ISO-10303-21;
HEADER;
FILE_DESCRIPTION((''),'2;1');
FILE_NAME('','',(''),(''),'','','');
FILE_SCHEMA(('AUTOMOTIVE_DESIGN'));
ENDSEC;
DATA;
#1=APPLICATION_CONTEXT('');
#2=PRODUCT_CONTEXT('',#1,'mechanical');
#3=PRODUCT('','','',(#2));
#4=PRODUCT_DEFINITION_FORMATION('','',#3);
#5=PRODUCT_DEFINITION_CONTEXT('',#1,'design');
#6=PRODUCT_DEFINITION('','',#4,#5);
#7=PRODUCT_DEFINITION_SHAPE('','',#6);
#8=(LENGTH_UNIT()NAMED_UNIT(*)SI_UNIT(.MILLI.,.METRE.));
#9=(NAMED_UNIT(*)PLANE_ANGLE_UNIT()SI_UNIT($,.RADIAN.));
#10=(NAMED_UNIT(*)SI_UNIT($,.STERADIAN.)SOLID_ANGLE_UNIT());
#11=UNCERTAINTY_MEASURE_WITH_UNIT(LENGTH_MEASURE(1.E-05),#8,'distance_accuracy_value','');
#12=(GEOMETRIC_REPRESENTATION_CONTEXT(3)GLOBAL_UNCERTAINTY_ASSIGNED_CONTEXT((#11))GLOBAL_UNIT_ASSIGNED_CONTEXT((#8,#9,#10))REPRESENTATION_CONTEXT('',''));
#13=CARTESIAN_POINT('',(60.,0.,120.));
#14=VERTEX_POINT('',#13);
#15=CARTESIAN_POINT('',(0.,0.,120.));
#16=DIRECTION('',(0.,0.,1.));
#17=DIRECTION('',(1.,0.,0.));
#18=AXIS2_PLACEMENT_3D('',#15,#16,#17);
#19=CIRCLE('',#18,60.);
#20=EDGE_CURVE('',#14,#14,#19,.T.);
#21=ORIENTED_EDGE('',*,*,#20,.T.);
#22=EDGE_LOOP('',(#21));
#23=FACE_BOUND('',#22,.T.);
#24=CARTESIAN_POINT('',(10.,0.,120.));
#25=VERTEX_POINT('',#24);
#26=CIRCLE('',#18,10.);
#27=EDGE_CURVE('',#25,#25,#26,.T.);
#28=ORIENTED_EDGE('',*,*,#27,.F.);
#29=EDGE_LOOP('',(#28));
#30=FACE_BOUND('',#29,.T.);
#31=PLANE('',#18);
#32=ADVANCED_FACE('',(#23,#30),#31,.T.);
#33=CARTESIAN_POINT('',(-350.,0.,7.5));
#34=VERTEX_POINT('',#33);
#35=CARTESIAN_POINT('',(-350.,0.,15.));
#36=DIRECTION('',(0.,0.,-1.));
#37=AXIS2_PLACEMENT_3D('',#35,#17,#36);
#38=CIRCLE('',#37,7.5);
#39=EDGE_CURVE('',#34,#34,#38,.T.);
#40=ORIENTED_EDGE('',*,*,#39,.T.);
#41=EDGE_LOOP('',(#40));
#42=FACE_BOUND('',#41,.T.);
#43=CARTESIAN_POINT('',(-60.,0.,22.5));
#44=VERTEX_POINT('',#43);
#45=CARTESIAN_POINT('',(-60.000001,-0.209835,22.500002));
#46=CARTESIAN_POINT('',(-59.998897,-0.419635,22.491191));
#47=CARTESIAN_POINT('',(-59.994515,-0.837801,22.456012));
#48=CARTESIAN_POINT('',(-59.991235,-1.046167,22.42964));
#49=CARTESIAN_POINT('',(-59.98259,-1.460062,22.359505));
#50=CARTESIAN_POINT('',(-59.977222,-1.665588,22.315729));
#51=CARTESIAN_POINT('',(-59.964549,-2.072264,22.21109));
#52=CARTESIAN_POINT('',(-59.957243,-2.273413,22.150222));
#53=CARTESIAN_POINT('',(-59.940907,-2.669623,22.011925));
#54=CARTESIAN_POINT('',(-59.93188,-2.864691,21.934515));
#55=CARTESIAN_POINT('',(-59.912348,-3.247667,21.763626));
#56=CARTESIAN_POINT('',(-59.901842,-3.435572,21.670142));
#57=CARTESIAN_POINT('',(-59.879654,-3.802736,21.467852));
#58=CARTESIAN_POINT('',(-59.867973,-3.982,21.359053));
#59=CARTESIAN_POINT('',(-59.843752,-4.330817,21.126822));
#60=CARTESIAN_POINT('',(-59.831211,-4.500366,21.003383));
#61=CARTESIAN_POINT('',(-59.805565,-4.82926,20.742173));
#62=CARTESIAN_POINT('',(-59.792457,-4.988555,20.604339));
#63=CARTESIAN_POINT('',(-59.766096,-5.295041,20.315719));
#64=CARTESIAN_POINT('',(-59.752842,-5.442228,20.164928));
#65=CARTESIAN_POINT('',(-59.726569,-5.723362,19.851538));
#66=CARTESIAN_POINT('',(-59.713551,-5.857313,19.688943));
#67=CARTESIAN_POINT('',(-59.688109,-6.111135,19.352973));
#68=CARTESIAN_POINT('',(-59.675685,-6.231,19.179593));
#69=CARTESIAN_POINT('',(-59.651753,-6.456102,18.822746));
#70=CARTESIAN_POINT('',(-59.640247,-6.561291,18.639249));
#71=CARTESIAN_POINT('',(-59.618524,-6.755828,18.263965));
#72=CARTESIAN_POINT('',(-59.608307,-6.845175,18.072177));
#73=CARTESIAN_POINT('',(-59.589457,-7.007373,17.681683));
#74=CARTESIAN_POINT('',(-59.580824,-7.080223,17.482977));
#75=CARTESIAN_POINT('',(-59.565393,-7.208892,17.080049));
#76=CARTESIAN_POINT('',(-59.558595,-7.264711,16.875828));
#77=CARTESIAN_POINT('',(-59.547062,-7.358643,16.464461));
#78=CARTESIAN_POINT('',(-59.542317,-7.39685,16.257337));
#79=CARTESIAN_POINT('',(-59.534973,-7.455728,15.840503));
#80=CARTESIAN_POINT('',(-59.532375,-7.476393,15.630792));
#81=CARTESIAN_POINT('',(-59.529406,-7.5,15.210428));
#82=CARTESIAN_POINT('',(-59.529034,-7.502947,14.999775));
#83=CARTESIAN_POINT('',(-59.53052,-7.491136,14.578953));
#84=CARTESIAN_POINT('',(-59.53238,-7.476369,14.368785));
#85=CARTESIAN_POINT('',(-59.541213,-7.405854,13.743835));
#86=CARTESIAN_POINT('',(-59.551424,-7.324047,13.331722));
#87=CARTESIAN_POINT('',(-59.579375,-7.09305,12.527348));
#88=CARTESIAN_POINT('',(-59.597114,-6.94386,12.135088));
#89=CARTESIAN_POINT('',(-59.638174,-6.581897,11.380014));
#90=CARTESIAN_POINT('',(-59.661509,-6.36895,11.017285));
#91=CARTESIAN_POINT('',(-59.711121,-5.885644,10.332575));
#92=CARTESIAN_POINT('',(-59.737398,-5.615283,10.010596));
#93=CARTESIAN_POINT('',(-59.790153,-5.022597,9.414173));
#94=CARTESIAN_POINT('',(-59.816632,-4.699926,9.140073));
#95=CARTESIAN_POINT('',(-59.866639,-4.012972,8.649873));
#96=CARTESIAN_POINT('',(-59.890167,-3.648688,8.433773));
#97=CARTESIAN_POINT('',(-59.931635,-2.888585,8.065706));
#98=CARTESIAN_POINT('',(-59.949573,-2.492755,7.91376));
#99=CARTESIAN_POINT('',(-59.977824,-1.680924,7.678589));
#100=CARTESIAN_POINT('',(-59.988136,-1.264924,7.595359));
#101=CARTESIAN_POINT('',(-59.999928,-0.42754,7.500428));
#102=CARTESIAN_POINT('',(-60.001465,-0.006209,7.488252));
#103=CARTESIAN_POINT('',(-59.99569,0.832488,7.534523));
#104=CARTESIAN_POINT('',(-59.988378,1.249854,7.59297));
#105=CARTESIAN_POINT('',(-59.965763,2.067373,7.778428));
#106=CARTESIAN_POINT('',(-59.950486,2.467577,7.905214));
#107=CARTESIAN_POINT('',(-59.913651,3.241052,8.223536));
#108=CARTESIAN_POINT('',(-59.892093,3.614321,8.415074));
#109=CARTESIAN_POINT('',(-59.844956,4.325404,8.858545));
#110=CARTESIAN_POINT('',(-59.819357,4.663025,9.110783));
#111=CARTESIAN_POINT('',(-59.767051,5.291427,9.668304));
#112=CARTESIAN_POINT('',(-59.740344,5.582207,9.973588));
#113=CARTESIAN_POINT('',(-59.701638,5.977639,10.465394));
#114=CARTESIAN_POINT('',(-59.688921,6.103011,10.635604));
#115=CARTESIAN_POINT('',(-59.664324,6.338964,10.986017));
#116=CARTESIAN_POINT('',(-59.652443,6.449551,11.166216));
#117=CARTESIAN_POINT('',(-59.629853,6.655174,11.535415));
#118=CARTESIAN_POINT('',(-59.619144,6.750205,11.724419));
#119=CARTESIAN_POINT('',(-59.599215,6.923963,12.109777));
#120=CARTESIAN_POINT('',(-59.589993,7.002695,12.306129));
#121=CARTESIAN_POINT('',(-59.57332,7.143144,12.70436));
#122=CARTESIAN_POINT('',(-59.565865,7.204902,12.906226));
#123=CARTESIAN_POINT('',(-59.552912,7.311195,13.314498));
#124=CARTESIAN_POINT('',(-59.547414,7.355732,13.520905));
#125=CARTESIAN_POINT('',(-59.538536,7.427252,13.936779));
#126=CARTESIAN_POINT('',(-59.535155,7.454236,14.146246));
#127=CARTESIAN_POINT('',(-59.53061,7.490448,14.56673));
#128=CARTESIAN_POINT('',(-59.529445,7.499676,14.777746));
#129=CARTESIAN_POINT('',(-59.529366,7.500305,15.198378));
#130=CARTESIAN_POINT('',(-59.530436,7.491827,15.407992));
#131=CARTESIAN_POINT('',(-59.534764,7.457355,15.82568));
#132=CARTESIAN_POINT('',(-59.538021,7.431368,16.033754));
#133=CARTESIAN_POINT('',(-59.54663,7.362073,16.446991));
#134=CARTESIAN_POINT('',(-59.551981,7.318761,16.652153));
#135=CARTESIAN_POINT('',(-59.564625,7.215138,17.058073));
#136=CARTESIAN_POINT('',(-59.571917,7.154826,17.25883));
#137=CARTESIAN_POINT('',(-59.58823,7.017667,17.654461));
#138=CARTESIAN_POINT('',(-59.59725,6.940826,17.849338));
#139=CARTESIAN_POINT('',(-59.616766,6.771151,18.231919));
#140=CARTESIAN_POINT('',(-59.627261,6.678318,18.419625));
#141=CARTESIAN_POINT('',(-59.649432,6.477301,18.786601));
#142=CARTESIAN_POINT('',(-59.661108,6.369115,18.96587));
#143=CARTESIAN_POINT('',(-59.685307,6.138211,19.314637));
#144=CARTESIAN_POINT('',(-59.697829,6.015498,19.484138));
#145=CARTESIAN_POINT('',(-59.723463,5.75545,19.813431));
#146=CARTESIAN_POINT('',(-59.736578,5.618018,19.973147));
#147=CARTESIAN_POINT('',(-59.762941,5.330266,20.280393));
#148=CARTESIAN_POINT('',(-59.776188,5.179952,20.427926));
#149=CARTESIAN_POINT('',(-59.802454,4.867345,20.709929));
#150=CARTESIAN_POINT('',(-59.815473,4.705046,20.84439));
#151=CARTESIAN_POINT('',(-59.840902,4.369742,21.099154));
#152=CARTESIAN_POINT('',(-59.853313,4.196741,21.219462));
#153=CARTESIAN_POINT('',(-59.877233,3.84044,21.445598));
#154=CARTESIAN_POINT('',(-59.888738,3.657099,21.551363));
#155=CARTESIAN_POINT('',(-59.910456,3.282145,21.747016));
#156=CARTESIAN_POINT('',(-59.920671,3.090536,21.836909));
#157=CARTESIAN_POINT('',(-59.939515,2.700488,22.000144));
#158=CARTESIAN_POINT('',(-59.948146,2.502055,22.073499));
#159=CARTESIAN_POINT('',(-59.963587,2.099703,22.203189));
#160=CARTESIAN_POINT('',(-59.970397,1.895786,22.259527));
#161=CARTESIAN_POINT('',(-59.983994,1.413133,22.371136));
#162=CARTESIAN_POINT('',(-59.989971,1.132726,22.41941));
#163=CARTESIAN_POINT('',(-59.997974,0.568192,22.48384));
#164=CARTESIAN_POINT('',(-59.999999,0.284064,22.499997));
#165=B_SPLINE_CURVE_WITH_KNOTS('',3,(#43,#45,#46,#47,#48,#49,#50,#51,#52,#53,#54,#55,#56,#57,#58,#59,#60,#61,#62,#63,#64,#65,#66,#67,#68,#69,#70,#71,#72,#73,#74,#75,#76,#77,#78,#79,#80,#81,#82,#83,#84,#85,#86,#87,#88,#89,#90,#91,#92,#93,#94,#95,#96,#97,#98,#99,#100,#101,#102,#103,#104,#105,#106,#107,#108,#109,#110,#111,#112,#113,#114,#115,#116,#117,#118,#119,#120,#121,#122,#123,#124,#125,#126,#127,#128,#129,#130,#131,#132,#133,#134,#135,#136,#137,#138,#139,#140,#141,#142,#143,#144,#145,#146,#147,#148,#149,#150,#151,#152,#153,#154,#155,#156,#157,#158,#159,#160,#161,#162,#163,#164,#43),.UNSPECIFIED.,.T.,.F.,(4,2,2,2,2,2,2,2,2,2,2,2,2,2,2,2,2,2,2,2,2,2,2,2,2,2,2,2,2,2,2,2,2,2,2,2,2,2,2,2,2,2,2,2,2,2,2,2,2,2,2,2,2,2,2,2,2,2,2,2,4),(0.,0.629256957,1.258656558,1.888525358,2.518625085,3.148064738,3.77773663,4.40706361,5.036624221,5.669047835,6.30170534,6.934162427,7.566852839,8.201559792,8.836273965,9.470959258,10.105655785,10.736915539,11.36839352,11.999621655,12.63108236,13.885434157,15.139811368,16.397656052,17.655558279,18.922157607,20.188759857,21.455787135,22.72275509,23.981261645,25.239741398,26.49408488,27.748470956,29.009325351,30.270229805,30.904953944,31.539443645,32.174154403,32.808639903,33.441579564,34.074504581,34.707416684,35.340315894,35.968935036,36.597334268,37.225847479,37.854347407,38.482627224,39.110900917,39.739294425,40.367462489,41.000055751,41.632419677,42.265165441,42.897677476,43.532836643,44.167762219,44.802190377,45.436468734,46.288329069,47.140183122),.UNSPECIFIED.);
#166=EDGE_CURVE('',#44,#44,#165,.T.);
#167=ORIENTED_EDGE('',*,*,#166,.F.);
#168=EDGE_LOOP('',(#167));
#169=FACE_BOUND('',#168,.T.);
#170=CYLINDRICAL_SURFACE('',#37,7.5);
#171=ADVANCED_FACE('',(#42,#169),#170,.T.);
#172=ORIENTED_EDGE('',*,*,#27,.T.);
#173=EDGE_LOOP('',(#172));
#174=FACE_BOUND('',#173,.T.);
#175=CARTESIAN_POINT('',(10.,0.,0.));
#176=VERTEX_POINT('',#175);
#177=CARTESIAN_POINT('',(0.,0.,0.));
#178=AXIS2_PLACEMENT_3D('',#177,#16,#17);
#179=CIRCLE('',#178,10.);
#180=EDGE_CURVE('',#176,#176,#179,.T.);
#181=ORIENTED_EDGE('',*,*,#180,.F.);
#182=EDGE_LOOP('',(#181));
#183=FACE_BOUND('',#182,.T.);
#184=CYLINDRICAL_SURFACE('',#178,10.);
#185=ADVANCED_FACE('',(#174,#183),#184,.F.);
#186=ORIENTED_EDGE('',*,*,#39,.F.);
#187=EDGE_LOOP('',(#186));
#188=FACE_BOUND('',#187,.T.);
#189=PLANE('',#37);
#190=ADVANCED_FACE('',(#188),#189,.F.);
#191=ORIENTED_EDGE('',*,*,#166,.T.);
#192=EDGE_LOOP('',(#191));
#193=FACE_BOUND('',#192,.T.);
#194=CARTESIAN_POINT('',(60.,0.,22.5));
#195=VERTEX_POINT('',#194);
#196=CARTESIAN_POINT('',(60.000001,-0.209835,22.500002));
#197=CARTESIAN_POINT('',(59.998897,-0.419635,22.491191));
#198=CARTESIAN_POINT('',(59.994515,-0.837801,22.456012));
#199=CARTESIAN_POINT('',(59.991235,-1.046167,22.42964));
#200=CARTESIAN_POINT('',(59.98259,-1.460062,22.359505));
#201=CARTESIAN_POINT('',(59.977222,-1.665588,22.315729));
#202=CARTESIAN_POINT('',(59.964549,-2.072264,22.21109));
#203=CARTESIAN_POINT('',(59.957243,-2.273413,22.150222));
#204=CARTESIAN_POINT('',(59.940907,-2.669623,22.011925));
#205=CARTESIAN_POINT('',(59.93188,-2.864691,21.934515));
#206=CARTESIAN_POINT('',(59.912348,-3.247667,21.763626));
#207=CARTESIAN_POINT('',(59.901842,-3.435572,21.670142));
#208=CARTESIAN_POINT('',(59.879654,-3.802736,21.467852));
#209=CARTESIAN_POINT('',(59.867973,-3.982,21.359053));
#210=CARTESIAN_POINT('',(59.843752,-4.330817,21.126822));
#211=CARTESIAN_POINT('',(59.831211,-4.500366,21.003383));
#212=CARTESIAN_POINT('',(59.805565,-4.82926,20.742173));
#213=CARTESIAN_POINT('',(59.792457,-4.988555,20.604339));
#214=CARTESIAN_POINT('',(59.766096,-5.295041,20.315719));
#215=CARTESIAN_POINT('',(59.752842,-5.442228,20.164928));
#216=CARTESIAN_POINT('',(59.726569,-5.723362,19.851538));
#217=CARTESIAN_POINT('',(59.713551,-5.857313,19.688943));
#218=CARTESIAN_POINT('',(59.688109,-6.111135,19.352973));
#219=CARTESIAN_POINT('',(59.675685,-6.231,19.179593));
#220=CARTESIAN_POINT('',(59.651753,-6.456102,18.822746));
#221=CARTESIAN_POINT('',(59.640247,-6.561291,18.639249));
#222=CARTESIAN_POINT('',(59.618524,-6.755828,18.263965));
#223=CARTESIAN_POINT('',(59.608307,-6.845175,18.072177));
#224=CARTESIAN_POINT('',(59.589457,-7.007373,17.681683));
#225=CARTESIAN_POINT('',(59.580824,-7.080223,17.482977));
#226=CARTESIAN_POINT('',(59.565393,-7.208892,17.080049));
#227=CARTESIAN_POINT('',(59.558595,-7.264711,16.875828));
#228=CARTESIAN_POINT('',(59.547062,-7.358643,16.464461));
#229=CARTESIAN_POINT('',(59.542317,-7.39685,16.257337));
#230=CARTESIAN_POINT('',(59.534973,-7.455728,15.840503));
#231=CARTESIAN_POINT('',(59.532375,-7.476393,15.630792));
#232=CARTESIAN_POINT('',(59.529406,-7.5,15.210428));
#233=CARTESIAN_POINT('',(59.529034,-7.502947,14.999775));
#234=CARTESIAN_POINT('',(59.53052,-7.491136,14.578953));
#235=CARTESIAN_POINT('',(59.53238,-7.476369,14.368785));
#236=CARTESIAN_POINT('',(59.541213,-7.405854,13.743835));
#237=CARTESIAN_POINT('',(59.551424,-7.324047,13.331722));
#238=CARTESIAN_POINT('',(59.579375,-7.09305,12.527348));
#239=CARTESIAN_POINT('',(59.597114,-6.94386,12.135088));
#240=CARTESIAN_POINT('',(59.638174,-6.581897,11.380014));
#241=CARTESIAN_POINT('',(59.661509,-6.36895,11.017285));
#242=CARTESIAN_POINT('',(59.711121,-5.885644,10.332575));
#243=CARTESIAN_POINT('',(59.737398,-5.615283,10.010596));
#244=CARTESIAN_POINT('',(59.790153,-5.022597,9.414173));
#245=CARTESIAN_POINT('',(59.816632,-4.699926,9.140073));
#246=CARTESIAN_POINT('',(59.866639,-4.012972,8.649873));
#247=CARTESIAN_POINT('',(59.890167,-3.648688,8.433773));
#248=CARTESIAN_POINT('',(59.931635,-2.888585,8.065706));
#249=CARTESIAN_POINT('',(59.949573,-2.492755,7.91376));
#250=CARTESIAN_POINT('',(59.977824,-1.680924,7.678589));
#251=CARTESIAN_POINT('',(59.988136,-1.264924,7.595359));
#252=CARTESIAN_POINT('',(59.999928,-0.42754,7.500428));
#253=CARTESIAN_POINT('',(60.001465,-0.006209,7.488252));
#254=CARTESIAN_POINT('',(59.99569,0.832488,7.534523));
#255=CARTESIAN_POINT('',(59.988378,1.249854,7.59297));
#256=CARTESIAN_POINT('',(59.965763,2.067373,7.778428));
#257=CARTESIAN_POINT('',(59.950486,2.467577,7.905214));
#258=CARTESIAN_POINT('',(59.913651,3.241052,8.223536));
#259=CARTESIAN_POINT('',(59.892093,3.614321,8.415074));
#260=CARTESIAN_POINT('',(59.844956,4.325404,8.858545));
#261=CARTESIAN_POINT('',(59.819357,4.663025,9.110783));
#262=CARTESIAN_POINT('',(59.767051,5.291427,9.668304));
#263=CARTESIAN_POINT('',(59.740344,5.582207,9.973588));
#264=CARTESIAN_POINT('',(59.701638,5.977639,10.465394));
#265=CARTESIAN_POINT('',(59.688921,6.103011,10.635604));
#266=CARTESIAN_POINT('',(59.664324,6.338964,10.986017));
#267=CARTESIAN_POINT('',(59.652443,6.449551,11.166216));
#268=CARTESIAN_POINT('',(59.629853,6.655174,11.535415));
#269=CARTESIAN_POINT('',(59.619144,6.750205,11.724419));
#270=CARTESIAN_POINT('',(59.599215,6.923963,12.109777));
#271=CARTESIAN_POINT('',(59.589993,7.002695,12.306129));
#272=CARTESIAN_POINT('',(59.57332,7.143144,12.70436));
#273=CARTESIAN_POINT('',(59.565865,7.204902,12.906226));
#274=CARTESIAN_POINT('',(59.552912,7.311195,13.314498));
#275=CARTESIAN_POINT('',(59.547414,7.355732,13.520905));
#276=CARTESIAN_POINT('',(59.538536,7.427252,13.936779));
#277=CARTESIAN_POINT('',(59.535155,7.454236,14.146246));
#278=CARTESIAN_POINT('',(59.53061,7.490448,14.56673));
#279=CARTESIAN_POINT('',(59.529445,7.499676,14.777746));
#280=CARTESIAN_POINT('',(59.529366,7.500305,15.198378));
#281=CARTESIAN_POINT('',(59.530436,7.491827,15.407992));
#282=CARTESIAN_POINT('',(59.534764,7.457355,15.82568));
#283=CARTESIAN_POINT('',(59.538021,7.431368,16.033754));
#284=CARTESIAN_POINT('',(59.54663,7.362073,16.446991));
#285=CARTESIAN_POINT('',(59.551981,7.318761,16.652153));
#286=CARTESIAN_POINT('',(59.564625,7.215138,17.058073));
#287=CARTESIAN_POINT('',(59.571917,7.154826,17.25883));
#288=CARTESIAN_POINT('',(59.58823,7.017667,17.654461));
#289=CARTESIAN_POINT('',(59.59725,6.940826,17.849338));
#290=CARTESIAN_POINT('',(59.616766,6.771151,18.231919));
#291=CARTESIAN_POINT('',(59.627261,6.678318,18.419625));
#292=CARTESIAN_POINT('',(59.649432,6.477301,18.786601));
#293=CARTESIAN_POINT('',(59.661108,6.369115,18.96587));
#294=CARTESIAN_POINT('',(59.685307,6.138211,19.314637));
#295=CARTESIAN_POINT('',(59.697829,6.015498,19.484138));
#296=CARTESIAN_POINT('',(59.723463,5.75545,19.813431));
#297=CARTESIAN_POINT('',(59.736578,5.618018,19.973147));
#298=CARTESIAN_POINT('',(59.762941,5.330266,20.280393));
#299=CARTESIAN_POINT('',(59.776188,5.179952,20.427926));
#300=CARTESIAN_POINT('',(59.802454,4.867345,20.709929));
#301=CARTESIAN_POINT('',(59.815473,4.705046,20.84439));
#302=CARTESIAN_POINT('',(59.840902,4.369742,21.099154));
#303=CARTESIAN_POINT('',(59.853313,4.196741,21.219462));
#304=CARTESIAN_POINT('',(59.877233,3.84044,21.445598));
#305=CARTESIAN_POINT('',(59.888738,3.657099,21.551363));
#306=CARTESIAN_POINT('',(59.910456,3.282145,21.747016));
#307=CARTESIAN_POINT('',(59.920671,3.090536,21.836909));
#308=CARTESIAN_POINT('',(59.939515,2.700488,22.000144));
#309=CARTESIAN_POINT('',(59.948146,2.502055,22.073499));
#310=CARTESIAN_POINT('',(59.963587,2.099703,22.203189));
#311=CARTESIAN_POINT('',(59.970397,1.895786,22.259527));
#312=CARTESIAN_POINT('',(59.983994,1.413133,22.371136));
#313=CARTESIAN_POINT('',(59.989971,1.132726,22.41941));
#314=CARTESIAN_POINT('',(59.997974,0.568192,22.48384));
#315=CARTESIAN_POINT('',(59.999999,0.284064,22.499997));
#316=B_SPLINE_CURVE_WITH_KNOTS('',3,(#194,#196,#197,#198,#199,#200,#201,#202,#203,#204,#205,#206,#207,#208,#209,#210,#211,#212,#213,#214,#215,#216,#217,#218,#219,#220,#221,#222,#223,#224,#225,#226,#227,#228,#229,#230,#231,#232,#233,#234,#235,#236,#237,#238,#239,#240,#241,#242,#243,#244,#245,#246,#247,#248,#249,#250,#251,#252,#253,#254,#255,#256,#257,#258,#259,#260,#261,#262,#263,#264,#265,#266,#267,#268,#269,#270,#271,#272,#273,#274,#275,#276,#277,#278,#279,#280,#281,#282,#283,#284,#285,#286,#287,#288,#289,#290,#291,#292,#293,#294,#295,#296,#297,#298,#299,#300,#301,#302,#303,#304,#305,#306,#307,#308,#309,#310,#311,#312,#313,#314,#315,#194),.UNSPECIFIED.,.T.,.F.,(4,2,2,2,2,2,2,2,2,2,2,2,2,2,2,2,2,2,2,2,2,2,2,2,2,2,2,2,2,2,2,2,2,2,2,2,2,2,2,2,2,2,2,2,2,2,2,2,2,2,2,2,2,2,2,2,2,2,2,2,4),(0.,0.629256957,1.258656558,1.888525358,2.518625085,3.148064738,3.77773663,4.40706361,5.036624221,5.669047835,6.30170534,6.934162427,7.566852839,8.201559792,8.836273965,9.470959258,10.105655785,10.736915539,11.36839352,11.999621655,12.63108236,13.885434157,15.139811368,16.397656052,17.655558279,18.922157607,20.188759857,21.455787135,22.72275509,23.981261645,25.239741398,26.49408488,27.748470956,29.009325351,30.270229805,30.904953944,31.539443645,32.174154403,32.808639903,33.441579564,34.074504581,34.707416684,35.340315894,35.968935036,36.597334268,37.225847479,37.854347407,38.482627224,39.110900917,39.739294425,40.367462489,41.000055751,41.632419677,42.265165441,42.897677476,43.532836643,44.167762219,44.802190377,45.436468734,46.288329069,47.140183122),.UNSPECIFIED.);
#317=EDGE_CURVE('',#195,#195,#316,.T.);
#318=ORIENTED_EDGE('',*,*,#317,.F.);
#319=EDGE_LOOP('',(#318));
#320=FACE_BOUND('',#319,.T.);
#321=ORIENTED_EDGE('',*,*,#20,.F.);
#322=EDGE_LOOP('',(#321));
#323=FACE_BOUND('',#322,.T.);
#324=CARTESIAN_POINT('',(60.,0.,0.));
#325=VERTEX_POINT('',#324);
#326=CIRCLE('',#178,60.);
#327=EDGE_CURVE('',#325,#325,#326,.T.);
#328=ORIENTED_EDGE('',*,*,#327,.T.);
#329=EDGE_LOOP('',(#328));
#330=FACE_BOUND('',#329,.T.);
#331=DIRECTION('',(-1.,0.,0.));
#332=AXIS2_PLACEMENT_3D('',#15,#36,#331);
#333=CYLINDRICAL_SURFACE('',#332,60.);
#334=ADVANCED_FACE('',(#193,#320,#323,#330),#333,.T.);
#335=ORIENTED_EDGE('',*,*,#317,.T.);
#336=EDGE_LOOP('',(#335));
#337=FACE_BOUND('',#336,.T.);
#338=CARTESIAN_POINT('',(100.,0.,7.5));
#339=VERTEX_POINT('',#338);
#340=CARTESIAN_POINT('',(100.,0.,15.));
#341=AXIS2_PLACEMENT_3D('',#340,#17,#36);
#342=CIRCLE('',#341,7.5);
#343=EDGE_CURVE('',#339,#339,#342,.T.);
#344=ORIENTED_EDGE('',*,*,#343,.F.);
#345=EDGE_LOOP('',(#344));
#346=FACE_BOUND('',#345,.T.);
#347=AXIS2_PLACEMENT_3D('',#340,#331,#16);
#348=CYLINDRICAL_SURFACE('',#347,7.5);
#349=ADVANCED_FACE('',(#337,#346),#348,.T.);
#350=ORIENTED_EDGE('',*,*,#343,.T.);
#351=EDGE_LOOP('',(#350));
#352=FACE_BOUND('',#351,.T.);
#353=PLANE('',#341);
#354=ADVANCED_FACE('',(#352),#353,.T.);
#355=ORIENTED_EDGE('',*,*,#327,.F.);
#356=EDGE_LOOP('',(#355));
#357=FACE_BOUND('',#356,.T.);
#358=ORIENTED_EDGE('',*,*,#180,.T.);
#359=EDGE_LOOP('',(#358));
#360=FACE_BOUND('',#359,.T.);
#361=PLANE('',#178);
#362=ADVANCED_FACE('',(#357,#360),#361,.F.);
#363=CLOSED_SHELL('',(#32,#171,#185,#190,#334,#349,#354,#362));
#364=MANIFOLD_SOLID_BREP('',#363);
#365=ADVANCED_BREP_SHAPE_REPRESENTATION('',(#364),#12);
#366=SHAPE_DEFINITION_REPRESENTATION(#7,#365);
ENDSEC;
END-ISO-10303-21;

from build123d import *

# Parameters (mm, degrees)
SKETCH_1_R          = 60
EXTRUDE_1_DEPTH     = 120
SKETCH_3_R          = 7.5
EXTRUDE_3_DEPTH     = 350
SKETCH_4_R          = 10
CUT_EXTRUDE_1_DEPTH = 375.833296421
EXTRUDE_START       = 100
SKETCH_3_2_R        = 7.5
EXTRUDE_4_DEPTH     = 70


with BuildPart() as part:
    # 草图1 → 凸台-拉伸1 (new body)
    with BuildSketch(Plane.XY):
        Circle(SKETCH_1_R)
    extrude(amount=EXTRUDE_1_DEPTH)

    # 草图3 → 凸台-拉伸3 (add)
    with BuildSketch(Plane(origin=(0, 0, 0), x_dir=(0, 0, -1), z_dir=(1, 0, 0))):
        with Locations((-15, 0)):
            Circle(SKETCH_3_R)
    extrude(amount=-EXTRUDE_3_DEPTH)

    # 草图4 → 切除-拉伸1 (cut, through all)
    with BuildSketch(Plane.XY.offset(120)):
        Circle(SKETCH_4_R)
    extrude(amount=-CUT_EXTRUDE_1_DEPTH, mode=Mode.SUBTRACT)

    # 草图3<2> → 凸台-拉伸4 (add)
    with BuildSketch(Plane(origin=(0, 0, 0), x_dir=(0, 0, -1), z_dir=(1, 0, 0)).offset(EXTRUDE_START)):
        with Locations((-15, 0)):
            Circle(SKETCH_3_2_R)
    extrude(amount=-EXTRUDE_4_DEPTH)


solid = part.part
